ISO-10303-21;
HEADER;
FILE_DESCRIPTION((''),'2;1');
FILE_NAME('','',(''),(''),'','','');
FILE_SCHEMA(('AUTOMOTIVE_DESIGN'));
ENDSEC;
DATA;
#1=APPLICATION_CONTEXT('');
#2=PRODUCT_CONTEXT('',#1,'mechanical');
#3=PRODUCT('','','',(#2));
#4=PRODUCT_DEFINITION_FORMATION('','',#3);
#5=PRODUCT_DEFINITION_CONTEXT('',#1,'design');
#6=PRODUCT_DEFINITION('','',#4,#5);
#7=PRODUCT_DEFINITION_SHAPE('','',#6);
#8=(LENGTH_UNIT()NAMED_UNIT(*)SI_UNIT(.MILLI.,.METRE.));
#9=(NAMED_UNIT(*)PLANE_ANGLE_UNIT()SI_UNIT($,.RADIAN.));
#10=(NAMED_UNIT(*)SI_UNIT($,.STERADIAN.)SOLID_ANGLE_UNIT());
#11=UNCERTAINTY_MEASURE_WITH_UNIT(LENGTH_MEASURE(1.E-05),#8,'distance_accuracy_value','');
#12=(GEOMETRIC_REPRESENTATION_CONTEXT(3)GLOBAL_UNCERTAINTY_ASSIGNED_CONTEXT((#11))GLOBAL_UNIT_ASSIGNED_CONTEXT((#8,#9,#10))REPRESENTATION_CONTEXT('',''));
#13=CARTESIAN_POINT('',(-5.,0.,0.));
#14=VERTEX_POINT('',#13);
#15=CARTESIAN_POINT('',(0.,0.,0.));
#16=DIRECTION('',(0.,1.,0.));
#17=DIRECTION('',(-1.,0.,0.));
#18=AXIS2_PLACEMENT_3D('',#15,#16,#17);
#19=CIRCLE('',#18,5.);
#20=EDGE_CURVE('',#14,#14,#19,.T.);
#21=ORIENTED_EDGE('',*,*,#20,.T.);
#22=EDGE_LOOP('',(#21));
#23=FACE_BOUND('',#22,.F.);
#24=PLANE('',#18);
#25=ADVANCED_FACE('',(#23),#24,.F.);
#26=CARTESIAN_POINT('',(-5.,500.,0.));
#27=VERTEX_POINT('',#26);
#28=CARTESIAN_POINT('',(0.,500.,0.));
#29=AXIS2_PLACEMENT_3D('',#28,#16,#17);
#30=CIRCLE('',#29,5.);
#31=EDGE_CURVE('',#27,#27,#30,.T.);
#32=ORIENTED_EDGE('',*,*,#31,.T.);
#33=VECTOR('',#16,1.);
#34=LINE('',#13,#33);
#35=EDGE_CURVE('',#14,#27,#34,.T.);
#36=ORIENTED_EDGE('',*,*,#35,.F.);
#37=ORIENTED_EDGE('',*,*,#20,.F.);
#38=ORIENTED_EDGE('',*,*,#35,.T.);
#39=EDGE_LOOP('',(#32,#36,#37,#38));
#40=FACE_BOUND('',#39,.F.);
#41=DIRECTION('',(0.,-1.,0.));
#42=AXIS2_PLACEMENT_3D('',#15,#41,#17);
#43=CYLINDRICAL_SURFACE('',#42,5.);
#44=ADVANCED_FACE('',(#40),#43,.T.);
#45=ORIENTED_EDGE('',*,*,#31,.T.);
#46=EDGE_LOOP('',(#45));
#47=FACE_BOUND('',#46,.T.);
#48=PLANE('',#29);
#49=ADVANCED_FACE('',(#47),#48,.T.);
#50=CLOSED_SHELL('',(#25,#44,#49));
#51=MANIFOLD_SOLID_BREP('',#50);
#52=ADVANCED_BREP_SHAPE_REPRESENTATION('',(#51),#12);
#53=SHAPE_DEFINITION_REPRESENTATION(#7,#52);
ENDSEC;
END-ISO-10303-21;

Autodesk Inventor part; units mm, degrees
ref_plane "YZ Plane" through (0, 0, 0) normal (1, 0, 0) x (0, 1, 0)
ref_plane "XZ Plane" through (0, 0, 0) normal (0, 1, 0) x (-1, 0, 0)
ref_plane "XY Plane" through (0, 0, 0) normal (0, 0, 1) x (1, 0, 0)
sketch "Sketch1" plane through (0, 0, 0) normal (0, 1, 0) x (-1, 0, 0)
  circle A0 centre (0, 0) radius 5
  dimension "d0" = 10
extrude "Extrusion1" add sketch "Sketch1" along normal blind 500
properties part number "Rail_500"
